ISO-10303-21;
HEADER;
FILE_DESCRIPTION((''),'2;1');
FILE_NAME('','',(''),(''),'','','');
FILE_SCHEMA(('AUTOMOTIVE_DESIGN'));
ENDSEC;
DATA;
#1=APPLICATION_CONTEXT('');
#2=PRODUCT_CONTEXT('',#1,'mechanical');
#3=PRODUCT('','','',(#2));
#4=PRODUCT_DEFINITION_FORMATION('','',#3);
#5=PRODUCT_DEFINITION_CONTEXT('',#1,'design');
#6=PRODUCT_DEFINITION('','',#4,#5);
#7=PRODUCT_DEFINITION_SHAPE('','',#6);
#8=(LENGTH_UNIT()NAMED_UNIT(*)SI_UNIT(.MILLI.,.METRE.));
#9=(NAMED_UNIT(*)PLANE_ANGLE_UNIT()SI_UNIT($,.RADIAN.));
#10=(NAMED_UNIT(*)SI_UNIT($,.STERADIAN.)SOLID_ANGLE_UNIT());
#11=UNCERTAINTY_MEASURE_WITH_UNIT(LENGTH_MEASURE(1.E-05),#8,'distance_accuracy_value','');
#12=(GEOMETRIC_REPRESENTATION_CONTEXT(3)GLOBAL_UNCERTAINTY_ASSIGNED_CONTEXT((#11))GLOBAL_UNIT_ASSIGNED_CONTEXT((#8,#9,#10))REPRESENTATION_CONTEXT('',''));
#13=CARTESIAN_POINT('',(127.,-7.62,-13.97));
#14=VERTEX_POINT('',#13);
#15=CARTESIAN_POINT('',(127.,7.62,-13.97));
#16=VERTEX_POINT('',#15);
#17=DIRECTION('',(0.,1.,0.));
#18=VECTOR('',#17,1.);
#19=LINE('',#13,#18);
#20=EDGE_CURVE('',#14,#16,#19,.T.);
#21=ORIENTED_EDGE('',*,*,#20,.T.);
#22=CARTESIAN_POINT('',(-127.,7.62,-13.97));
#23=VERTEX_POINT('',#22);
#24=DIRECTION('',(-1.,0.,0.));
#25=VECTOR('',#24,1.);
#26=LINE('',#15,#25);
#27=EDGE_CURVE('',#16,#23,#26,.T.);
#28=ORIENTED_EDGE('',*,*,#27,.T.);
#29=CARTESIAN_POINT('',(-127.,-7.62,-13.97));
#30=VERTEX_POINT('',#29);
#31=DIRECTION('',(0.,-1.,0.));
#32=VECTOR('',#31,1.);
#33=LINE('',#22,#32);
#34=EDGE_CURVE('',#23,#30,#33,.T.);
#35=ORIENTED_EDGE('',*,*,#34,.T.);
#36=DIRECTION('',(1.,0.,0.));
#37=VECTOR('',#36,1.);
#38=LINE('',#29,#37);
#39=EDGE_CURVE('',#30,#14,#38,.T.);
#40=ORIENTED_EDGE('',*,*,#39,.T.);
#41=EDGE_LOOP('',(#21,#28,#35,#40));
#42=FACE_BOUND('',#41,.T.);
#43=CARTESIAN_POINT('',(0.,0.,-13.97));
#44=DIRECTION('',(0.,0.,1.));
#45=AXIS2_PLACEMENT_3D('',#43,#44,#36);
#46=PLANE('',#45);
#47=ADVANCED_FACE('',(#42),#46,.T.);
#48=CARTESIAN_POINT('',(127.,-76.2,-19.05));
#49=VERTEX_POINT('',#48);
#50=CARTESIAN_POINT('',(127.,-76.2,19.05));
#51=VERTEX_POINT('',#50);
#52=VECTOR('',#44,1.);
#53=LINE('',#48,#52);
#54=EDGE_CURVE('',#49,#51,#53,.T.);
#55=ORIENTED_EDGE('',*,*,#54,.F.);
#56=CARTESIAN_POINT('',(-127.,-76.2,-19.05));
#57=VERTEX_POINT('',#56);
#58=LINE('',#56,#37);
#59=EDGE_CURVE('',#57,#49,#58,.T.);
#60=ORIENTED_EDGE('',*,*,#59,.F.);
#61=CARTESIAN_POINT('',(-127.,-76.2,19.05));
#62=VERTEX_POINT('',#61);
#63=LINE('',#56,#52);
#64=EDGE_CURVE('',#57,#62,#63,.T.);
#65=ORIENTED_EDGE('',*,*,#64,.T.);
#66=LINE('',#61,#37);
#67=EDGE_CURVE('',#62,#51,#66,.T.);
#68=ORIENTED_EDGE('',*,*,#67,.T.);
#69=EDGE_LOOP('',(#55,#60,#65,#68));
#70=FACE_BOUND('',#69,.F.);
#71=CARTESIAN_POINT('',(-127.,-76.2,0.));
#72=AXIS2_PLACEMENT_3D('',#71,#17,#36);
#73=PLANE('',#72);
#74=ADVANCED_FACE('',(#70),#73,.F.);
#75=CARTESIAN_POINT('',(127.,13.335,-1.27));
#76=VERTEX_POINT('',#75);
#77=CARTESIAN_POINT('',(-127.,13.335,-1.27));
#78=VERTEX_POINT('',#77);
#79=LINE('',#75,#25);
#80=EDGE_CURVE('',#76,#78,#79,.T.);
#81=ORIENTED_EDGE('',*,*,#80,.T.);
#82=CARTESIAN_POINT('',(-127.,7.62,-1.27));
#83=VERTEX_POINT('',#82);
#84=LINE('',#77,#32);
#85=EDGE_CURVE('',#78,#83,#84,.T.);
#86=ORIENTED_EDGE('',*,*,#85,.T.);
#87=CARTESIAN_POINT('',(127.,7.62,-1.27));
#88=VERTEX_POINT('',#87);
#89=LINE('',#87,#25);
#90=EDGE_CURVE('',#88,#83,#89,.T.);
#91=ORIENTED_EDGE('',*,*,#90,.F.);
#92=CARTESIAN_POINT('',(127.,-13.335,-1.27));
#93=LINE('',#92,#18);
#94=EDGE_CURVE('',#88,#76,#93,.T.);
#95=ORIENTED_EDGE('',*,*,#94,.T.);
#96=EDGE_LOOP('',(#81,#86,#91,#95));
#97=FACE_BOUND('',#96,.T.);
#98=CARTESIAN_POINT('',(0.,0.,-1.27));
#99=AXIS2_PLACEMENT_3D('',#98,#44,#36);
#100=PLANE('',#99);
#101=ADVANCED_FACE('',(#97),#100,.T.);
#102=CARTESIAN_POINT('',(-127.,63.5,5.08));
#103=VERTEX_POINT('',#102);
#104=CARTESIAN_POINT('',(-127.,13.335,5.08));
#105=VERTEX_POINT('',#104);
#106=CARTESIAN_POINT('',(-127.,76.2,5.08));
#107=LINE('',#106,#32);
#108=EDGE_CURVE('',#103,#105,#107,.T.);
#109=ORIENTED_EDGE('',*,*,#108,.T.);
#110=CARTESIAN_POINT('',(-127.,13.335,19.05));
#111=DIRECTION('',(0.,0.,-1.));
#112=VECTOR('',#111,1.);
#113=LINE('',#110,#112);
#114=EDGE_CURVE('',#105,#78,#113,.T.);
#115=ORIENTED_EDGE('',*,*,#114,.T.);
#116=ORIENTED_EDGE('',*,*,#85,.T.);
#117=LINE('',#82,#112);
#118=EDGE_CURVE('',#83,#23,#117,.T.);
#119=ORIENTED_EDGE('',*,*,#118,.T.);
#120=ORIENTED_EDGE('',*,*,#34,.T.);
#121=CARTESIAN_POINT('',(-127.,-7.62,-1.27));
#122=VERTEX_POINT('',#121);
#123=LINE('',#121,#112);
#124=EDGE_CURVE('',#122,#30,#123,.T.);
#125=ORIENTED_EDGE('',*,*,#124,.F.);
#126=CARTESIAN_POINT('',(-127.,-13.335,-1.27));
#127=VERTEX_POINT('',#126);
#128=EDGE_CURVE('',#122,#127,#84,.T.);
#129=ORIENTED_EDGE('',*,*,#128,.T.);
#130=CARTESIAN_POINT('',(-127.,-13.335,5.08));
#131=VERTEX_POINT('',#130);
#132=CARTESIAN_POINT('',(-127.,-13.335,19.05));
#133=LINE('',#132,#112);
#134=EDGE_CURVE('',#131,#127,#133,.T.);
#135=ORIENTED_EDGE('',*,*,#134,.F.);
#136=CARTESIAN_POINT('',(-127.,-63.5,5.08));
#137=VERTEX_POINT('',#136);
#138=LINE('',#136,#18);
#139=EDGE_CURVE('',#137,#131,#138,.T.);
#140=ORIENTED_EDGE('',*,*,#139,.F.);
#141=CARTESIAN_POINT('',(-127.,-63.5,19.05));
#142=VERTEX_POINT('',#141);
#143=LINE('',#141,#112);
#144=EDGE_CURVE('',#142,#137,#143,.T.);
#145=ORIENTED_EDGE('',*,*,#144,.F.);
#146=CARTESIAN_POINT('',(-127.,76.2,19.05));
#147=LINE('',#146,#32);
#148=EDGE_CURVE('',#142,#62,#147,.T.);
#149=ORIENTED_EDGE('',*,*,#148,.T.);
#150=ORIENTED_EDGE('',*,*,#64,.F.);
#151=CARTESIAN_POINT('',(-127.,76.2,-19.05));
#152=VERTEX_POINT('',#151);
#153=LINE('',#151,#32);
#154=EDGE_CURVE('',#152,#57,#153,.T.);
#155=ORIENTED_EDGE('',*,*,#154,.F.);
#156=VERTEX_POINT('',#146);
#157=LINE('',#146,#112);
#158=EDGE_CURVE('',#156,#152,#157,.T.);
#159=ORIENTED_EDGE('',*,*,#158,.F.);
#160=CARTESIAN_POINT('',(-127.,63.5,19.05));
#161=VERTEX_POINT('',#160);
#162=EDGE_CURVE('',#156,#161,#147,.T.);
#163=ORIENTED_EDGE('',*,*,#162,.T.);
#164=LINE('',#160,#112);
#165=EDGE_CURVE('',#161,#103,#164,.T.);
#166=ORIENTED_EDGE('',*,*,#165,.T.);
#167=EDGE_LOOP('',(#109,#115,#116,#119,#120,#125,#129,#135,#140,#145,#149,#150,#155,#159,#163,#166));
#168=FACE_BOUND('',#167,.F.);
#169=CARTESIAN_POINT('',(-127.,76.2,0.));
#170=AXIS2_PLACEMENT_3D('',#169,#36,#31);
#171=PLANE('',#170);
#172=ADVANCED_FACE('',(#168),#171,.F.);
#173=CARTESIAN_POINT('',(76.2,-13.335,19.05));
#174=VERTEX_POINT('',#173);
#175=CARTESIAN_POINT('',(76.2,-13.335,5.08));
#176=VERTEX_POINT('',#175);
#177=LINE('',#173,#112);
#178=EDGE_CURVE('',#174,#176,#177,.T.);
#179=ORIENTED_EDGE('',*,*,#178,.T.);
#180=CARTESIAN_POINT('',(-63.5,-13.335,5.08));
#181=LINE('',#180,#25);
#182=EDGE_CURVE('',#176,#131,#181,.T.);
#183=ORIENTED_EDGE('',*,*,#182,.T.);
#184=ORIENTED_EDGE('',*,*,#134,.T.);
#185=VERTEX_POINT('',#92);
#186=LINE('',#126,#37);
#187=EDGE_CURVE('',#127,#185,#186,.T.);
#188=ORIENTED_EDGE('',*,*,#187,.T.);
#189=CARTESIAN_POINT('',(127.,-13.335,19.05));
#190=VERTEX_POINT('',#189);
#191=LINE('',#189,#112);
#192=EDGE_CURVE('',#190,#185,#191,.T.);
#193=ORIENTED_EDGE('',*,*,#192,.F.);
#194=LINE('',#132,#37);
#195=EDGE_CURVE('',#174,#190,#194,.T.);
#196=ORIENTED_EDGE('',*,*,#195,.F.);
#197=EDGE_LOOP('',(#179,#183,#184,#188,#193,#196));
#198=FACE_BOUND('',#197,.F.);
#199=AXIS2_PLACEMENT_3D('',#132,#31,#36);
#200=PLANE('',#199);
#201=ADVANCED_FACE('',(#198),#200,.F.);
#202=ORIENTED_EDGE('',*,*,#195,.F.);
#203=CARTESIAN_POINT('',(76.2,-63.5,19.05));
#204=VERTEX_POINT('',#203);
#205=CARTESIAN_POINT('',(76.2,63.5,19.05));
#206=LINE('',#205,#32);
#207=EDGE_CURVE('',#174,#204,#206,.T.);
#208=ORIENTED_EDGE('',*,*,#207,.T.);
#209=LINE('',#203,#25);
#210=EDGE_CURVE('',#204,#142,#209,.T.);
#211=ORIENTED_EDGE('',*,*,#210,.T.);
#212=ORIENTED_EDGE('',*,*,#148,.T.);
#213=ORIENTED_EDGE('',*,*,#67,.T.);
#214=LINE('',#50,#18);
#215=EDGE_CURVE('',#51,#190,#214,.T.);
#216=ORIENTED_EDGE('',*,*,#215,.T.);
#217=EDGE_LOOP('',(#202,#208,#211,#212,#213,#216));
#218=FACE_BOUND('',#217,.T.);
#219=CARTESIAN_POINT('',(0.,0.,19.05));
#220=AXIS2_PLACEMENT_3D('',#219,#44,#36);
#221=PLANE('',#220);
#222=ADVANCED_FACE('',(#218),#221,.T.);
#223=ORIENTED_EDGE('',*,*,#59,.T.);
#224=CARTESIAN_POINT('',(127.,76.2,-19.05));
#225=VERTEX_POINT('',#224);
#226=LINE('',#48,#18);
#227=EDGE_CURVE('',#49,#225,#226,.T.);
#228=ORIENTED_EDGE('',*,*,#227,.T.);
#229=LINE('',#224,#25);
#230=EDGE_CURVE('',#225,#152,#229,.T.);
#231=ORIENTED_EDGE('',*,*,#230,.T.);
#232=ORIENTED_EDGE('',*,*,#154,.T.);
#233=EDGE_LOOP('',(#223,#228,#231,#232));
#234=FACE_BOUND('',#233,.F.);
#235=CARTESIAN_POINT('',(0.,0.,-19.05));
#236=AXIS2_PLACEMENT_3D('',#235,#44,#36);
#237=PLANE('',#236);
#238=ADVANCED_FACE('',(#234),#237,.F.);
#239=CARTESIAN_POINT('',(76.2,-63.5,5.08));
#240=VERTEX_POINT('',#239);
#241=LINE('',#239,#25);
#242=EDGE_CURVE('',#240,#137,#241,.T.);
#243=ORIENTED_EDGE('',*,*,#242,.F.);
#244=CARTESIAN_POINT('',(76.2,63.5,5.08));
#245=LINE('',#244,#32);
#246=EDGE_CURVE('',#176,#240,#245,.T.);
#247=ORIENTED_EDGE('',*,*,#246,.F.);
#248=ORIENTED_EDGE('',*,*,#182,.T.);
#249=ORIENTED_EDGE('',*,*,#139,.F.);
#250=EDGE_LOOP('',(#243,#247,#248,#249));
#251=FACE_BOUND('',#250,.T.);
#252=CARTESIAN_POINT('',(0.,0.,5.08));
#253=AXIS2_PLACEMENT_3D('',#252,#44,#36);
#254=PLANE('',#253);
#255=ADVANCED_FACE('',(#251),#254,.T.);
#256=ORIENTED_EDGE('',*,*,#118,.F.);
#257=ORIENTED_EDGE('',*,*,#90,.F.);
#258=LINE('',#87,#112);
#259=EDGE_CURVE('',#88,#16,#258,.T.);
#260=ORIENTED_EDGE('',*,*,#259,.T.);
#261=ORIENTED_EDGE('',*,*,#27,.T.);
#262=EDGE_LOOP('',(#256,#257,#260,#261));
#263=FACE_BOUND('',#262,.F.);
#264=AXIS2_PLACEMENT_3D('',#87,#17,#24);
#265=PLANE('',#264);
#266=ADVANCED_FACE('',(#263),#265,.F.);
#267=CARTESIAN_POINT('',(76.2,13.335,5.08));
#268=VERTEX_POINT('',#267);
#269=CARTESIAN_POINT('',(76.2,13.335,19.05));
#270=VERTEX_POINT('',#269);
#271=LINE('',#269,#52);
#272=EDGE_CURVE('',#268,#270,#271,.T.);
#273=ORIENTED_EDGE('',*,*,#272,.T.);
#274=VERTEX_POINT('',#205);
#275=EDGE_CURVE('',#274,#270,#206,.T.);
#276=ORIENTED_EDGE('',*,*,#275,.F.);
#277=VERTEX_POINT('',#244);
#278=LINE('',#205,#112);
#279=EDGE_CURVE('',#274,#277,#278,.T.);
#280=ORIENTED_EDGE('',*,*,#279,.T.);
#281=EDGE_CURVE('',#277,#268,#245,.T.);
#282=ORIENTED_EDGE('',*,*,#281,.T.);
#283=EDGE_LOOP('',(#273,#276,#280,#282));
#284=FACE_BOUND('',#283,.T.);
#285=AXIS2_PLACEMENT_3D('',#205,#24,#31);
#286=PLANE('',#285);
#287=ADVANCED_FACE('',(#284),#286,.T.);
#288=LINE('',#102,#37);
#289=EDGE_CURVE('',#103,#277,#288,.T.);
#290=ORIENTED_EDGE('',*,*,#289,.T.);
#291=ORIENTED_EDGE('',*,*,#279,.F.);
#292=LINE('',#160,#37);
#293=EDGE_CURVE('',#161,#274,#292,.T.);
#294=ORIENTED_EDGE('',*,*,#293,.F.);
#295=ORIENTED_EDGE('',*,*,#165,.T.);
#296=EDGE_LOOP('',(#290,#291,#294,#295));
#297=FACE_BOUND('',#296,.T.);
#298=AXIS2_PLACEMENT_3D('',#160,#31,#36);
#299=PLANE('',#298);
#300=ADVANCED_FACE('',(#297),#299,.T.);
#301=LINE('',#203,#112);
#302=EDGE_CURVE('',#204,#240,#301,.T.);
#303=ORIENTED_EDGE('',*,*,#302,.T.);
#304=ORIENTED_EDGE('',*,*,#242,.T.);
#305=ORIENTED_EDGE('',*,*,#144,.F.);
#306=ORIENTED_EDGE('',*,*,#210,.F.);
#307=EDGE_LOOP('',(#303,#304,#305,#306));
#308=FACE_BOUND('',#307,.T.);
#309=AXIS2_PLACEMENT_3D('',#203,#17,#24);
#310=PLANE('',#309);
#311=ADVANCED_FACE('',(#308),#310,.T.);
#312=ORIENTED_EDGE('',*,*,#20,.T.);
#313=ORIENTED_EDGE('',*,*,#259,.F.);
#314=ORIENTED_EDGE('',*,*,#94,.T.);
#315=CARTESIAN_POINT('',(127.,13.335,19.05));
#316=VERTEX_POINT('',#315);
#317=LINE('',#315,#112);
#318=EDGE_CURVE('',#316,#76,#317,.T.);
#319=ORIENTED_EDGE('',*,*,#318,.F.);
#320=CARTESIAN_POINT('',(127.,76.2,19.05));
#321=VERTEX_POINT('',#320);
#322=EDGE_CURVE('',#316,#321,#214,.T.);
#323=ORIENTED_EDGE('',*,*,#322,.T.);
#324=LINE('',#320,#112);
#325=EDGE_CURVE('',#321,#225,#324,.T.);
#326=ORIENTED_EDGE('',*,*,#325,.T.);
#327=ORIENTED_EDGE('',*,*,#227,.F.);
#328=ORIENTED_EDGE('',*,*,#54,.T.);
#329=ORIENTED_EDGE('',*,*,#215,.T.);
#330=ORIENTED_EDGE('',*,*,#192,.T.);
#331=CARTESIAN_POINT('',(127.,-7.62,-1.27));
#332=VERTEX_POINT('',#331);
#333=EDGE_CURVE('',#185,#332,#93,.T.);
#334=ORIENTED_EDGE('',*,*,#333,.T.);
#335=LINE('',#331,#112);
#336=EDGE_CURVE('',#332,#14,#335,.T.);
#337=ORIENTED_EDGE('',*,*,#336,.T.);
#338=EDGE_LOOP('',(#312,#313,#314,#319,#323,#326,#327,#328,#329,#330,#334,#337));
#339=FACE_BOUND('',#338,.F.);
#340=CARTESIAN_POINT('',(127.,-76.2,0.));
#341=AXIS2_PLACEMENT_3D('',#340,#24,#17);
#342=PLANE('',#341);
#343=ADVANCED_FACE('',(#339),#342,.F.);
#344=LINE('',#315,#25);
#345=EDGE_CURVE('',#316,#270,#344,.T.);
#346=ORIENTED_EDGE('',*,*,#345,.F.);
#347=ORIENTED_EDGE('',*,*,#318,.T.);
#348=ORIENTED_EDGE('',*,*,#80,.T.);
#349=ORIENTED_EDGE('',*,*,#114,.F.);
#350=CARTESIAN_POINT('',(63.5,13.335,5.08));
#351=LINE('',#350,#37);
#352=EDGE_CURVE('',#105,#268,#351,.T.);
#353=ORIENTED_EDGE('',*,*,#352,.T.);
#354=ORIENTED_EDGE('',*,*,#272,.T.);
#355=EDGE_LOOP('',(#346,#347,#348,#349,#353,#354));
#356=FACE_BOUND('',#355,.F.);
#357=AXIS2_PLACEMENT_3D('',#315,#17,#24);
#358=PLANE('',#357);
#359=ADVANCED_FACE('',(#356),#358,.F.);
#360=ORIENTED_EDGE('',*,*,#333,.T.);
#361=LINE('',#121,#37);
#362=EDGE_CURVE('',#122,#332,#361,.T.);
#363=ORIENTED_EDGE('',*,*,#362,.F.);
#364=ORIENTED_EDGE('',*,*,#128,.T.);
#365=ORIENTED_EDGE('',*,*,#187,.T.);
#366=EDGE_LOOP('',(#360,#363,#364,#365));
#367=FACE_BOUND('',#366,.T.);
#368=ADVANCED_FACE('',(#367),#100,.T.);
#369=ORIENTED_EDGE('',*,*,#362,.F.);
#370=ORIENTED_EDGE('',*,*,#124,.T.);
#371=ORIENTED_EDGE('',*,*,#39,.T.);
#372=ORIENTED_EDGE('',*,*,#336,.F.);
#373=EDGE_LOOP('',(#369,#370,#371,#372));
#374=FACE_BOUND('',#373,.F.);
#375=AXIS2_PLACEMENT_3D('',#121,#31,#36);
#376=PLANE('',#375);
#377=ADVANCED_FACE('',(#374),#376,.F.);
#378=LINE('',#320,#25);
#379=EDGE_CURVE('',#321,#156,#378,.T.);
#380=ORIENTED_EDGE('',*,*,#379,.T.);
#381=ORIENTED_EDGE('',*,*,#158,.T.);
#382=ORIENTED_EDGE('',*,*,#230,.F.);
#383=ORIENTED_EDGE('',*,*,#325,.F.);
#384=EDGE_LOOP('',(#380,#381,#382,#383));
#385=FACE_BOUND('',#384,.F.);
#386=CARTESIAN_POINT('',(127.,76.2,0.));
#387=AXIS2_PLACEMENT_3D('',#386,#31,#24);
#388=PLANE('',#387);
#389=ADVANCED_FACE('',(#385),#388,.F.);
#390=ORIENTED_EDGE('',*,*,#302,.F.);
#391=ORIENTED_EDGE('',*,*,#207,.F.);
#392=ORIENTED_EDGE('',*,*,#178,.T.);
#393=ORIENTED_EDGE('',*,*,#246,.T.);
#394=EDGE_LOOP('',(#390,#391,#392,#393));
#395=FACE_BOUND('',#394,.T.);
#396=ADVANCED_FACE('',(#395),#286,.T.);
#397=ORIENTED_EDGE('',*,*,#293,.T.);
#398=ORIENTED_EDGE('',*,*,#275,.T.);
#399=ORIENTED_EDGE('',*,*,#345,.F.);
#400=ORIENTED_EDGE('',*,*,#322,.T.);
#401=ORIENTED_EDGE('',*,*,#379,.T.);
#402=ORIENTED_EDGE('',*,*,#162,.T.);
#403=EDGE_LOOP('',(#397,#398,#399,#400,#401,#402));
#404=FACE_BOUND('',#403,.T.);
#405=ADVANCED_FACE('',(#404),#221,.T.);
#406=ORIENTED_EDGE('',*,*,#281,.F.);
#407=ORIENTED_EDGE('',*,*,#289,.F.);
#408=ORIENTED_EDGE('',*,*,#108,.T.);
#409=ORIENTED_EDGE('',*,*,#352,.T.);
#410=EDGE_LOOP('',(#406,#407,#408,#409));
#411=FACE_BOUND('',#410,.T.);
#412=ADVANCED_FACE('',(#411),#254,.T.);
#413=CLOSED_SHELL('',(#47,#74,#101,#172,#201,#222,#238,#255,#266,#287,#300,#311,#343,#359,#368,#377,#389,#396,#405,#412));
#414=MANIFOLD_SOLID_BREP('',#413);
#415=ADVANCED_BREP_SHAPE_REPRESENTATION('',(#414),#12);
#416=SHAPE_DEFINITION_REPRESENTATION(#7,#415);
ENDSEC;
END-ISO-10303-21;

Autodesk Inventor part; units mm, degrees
ref_plane "Work Plane1" through (-127, 50.8, 9.525) normal (0, 0, 1) x (1, 0, 0)
sketch "Sketch1" plane through (0, 0, 0) normal (0, 0, 1) x (1, 0, 0)
  line L0 (-127, -76.2) -> (127, -76.2)
  line L1 (127, -76.2) -> (127, 76.2)
  line L2 (127, 76.2) -> (-127, 76.2)
  line L3 (-127, 76.2) -> (-127, -76.2)
  line L4 (-127, -76.2) -> (127, 76.2) construction
  line L5 (127, -76.2) -> (-127, 76.2) construction
  point P0 (0, 0)
  dimension "d0" = 254
  dimension "d1" = 152.4
extrude "Extrusion1" add sketch "Sketch1" along normal mid plane 38.1
sketch "Sketch10" plane through (0, 0, 19.05) normal (0, 0, 1) x (1, 0, 0)
  line L0 (-127, -13.335) -> (127, -13.335)
  line L1 (127, -13.335) -> (127, 13.335)
  line L2 (127, 13.335) -> (-127, 13.335)
  line L3 (-127, 13.335) -> (-127, -13.335)
  line L4 (-127, -13.335) -> (127, 13.335) construction
  line L5 (127, -13.335) -> (-127, 13.335) construction
  line L6 (-127, 76.2) -> (-127, -76.2) projected
  point P0 (0, 0)
  dimension "d71" = 26.67
extrude "Extrusion7" cut sketch "Sketch10" against normal blind 20.32
ref_plane "Work Plane3" through (0, 0, 0) normal (0, 0, 1) x (1, 0, 0)
ref_plane "Work Plane4" through (0, 0, 19.05) normal (0, 0, 1) x (1, 0, 0)
sketch "Sketch11" plane through (0, 0, -1.27) normal (0, 0, 1) x (1, 0, 0)
  line L0 (-127, -7.62) -> (127, -7.62)
  line L1 (127, -7.62) -> (127, 7.62)
  line L2 (127, 7.62) -> (-127, 7.62)
  line L3 (-127, 7.62) -> (-127, -7.62)
  line L4 (-127, -7.62) -> (127, 7.62) construction
  line L5 (127, -7.62) -> (-127, 7.62) construction
  line L6 (-127, 76.2) -> (-127, 13.335) projected
  point P0 (0, 0)
  dimension "d75" = 15.24
extrude "Extrusion8" cut sketch "Sketch11" against normal blind 12.7
sketch "Sketch12" plane through (0, 0, 19.05) normal (0, 0, 1) x (1, 0, 0)
  line L0 (-127, 76.2) -> (-127, 13.335) projected
  line L1 (-127, 63.5) -> (76.2, 63.5)
  line L2 (76.2, 63.5) -> (76.2, -63.5)
  line L3 (76.2, -63.5) -> (-127, -63.5)
  line L4 (-127, -63.5) -> (-127, 63.5)
  line L5 (127, 76.2) -> (-127, 76.2) projected
  line L6 (-127, -76.2) -> (127, -76.2) projected
  point P0 (0, 0)
  dimension "d78" = 12.7
  dimension "d79" = 12.7
  dimension "d80" = 203.2
extrude "Extrusion9" cut sketch "Sketch12" against normal blind 13.97
sketch "Sketch3" plane through (0, 0, 19.05) normal (0, 0, 1) x (1, 0, 0)
  line L0 (-76.2, -12.7) -> (76.2, -12.7)
  line L1 (76.2, -12.7) -> (76.2, 12.7)
  line L2 (76.2, 12.7) -> (-76.2, 12.7)
  line L3 (-76.2, 12.7) -> (-76.2, -12.7)
  line L4 (-76.2, -12.7) -> (76.2, 12.7) construction
  line L5 (76.2, -12.7) -> (-76.2, 12.7) construction
  point P0 (0, 0)
  dimension "d7" = 25.4
  dimension "d19" = 152.4
sketch "Sketch8" plane through (0, 0, 19.05) normal (0, 0, 1) x (1, 0, 0)
  line L0 (-76.2, -12.7) -> (-76.2, 12.7) projected
  line L1 (-76.2, 0) -> (38.1, 0)
  line L2 (38.1, 0) -> (38.1, 38.1)
  line L3 (38.1, 38.1) -> (-76.2, 38.1)
  line L4 (-76.2, 38.1) -> (-76.2, 0)
  line L5 (38.1, 0) -> (38.1, -38.1)
  line L6 (38.1, -38.1) -> (-76.2, -38.1)
  line L7 (-76.2, -38.1) -> (-76.2, 0)
  point P0 (0, 0)
  dimension "d51" = 114.3
  dimension "d52" = 38.1
sketch "Sketch9" plane through (0, 0, 19.05) normal (0, 0, 1) x (1, 0, 0)
  line L0 (-127, 76.2) -> (-127, -76.2) construction
  line L1 (-127, -57.15) -> (127, -57.15) construction
  line L2 (127, 76.2) -> (127, -76.2) construction
  line L3 (-127, -57.15) -> (-127, -44.4609) construction
  point P0 (0, 0)
  point P1 (-127, 76.2)
  point P2 (-76.2, 38.1)
  point P3 (-101.6, -57.15)
  point P4 (-76.2, -57.15)
  point P5 (-50.8, -57.15)
  point P6 (-25.4, -57.15)
  point P7 (0, -57.15)
  point P8 (-101.6, -146.05)
  point P9 (-76.2, -146.05)
  point P10 (-50.8, -146.05)
  point P11 (-25.4, -146.05)
  point P12 (0, -146.05)
  point P13 (-101.6, -234.95)
  point P14 (-76.2, -234.95)
  point P15 (-50.8, -234.95)
  point P16 (-25.4, -234.95)
  point P17 (0, -234.95)
  point P18 (-101.6, -323.85)
  point P19 (-76.2, -323.85)
  point P20 (-50.8, -323.85)
  point P21 (-25.4, -323.85)
  point P22 (0, -323.85)
  point P23 (-127, -76.2)
  dimension "d55" = 25.4
  dimension "d58" = 25.4
  dimension "d61" = 88.9
properties part number "pistonHousing-8-in" material "PET Plastic"
